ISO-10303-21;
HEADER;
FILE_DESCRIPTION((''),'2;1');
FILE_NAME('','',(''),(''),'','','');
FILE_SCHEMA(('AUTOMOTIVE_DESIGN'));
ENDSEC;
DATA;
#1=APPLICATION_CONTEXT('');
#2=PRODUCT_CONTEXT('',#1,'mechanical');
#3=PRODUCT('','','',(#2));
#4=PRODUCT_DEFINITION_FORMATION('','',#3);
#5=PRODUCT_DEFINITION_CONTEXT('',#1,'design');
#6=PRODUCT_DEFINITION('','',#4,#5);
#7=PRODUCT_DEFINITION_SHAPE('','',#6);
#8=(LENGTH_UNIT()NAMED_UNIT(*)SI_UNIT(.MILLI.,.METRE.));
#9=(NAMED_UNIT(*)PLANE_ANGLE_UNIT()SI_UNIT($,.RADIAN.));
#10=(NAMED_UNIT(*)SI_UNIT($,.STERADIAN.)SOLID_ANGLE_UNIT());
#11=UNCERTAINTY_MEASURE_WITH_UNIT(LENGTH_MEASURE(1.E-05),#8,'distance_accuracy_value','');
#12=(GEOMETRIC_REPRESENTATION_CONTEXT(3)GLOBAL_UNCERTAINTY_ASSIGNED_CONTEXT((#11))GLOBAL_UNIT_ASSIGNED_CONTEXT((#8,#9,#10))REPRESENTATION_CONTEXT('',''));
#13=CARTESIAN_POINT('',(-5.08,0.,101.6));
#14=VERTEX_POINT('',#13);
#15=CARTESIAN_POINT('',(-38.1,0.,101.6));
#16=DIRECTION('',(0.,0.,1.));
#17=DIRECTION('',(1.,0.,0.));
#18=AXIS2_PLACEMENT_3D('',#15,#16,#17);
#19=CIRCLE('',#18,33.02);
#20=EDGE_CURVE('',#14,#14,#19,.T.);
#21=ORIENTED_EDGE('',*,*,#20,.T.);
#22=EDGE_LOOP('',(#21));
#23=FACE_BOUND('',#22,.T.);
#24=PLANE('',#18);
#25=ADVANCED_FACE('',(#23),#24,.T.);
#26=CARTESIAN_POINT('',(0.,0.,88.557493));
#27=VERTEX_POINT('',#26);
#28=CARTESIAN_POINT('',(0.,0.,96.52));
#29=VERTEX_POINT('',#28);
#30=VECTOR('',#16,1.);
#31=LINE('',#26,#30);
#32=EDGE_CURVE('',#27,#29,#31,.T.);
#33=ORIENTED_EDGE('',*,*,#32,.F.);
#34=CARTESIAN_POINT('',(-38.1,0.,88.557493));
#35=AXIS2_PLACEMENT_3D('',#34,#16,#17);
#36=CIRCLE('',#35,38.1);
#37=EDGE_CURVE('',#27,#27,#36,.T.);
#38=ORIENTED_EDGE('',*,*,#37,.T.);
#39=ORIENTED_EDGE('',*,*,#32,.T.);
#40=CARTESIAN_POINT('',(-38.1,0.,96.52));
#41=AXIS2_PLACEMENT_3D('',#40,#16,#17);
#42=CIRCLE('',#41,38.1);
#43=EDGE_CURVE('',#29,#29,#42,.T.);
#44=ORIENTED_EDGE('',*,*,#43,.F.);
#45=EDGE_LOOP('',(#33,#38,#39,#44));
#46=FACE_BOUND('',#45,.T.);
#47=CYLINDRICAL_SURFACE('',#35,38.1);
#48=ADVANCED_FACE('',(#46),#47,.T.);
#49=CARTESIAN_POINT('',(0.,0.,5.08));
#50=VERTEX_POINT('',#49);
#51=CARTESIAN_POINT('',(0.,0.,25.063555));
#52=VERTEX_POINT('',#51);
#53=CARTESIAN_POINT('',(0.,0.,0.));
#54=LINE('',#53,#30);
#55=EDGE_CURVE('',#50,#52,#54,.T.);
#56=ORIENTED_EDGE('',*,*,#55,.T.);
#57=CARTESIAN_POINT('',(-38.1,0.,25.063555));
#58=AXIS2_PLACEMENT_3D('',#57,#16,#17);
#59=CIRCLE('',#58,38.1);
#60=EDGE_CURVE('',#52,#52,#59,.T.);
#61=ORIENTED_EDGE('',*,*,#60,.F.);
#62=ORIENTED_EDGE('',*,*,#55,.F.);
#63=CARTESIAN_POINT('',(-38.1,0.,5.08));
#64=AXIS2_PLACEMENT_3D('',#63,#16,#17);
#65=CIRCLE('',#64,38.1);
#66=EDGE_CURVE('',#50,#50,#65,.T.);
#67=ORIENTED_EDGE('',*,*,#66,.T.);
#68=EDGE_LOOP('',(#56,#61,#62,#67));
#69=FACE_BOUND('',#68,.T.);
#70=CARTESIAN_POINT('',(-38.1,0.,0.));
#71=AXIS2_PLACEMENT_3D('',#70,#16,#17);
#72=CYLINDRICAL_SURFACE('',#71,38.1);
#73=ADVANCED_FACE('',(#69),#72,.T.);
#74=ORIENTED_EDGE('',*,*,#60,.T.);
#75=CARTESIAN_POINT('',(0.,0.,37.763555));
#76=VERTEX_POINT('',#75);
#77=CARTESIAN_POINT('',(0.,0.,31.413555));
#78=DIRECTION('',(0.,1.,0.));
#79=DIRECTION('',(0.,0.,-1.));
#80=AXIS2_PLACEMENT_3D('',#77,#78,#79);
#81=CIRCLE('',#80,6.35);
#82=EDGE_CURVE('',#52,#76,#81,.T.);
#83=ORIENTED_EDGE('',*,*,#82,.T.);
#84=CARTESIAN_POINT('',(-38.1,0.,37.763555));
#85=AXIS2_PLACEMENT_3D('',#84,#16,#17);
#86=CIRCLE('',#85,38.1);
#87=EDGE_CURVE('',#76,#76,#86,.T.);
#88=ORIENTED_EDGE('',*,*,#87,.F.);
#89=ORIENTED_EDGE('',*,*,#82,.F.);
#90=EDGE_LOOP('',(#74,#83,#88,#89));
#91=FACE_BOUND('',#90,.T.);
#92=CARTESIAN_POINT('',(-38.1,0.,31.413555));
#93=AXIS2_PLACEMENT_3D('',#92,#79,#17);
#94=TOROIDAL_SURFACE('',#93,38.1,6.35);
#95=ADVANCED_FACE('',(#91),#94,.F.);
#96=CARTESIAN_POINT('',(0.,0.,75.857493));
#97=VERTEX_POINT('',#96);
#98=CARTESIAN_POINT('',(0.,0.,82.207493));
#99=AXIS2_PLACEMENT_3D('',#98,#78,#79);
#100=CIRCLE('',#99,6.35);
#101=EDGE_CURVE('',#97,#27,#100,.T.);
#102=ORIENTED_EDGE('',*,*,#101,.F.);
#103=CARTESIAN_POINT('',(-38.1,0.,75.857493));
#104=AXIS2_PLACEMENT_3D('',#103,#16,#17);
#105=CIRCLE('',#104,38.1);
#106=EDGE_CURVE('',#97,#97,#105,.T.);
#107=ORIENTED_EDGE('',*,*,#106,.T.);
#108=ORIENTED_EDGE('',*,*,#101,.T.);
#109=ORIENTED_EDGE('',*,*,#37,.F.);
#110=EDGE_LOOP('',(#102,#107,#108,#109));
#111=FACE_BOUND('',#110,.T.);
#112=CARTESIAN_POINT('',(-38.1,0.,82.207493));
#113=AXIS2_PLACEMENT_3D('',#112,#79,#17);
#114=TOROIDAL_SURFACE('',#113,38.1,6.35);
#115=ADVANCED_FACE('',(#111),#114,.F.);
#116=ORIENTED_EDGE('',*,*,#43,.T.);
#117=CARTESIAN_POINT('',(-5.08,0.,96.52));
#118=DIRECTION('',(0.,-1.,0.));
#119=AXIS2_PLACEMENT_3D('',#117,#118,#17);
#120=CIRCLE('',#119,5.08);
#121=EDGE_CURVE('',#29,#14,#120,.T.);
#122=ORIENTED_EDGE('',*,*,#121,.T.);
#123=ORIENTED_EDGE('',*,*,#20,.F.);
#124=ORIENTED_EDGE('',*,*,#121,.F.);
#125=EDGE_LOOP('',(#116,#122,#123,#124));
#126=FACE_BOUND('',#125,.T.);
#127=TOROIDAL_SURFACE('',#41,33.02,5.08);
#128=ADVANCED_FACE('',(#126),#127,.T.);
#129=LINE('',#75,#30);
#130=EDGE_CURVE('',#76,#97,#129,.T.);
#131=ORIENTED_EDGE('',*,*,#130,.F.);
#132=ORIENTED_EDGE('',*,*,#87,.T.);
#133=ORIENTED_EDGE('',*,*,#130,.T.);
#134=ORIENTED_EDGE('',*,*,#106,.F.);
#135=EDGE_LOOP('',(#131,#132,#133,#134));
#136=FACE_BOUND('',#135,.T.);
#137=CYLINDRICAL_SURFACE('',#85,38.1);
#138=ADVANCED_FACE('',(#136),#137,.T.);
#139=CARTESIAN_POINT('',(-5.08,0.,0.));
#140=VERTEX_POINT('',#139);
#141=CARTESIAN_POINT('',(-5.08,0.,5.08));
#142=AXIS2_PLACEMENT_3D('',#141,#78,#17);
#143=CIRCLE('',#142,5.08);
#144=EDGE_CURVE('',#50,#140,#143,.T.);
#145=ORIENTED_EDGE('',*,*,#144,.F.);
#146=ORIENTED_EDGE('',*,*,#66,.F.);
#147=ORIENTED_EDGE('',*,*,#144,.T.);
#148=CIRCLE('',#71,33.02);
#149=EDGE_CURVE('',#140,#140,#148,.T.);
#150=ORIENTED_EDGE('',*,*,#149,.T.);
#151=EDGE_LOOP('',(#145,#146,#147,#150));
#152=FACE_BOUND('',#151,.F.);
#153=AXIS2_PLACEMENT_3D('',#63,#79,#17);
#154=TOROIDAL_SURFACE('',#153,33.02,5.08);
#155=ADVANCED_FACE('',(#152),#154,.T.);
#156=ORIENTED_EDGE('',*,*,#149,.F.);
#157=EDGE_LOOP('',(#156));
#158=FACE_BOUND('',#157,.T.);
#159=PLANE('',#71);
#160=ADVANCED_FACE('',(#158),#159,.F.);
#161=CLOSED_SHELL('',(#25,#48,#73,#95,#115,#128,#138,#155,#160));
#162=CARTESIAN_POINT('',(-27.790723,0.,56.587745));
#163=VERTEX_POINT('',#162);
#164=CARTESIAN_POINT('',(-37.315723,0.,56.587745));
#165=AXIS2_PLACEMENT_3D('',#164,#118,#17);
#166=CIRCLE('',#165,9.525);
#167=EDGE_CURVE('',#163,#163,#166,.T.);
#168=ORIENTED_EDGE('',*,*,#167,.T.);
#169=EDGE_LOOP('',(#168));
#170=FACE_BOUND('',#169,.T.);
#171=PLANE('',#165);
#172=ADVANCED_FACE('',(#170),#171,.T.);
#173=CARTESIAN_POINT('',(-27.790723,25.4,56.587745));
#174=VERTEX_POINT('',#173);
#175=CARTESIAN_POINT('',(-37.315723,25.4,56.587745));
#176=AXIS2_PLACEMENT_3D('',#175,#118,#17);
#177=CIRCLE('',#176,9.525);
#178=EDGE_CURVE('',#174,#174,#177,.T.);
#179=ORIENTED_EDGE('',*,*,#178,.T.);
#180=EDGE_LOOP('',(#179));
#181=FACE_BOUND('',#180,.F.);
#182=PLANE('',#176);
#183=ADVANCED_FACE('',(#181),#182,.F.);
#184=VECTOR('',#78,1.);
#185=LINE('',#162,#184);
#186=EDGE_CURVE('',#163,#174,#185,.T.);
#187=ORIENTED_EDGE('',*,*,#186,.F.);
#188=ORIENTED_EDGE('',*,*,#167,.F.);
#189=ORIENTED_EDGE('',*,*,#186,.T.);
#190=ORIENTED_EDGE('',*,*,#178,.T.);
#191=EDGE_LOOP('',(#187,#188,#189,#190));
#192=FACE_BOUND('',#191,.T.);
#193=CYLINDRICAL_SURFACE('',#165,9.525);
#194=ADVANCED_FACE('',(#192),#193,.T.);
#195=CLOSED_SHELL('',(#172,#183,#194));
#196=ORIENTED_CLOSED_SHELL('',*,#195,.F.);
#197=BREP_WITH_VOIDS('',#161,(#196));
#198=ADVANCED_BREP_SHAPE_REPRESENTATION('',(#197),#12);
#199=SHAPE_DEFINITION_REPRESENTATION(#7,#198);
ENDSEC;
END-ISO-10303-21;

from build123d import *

# Parameters (mm, degrees)
F2_R     = 9.525
F3_DEPTH = 25.4
F4_DEPTH = 25.4
F5_R     = 5.08
F6_R     = 5.08


with BuildPart() as f1:
    # F0 (on Front) → F1 (revolve)
    with BuildSketch(Plane.XZ):
        with BuildLine():
            Line((-38.1, 0), (0, 0))
            Line((0, 0), (0, 25.063555))
            ThreePointArc((0, 25.063555), (-6.35, 31.413555), (0, 37.763555))
            Line((0, 37.763555), (0, 75.857493))
            ThreePointArc((0, 75.857493), (-6.35, 82.207493), (0, 88.557493))
            Line((0, 88.557493), (0, 101.6))
            Line((0, 101.6), (-38.1, 101.6))
            Line((-38.1, 101.6), (-38.1, 0))
        make_face()
    revolve(axis=Axis((-38.1, 0, 50.8), (0, 0, 1)))

    # F2 (on Front) → F3 (cut)
    with BuildSketch(Plane.XZ):
        with Locations((-37.315723, 56.587745)):
            Circle(F2_R)
    extrude(amount=-F3_DEPTH, mode=Mode.SUBTRACT)

    # F2 (on Front) → F4 (cut)
    with BuildSketch(Plane.XZ):
        with Locations((-37.315723, 56.587745)):
            Circle(F2_R)
    extrude(amount=-F4_DEPTH, mode=Mode.SUBTRACT)

    # F5
    f5_edges = [f1.edges().sort_by_distance(p)[0] for p in [
        (-76.2, 0, 101.6),
    ]]
    fillet(f5_edges, radius=F5_R)

    # F6
    f6_edges = [f1.edges().sort_by_distance(p)[0] for p in [
        (-76.2, 0, 0),
    ]]
    fillet(f6_edges, radius=F6_R)


solid = f1.part
